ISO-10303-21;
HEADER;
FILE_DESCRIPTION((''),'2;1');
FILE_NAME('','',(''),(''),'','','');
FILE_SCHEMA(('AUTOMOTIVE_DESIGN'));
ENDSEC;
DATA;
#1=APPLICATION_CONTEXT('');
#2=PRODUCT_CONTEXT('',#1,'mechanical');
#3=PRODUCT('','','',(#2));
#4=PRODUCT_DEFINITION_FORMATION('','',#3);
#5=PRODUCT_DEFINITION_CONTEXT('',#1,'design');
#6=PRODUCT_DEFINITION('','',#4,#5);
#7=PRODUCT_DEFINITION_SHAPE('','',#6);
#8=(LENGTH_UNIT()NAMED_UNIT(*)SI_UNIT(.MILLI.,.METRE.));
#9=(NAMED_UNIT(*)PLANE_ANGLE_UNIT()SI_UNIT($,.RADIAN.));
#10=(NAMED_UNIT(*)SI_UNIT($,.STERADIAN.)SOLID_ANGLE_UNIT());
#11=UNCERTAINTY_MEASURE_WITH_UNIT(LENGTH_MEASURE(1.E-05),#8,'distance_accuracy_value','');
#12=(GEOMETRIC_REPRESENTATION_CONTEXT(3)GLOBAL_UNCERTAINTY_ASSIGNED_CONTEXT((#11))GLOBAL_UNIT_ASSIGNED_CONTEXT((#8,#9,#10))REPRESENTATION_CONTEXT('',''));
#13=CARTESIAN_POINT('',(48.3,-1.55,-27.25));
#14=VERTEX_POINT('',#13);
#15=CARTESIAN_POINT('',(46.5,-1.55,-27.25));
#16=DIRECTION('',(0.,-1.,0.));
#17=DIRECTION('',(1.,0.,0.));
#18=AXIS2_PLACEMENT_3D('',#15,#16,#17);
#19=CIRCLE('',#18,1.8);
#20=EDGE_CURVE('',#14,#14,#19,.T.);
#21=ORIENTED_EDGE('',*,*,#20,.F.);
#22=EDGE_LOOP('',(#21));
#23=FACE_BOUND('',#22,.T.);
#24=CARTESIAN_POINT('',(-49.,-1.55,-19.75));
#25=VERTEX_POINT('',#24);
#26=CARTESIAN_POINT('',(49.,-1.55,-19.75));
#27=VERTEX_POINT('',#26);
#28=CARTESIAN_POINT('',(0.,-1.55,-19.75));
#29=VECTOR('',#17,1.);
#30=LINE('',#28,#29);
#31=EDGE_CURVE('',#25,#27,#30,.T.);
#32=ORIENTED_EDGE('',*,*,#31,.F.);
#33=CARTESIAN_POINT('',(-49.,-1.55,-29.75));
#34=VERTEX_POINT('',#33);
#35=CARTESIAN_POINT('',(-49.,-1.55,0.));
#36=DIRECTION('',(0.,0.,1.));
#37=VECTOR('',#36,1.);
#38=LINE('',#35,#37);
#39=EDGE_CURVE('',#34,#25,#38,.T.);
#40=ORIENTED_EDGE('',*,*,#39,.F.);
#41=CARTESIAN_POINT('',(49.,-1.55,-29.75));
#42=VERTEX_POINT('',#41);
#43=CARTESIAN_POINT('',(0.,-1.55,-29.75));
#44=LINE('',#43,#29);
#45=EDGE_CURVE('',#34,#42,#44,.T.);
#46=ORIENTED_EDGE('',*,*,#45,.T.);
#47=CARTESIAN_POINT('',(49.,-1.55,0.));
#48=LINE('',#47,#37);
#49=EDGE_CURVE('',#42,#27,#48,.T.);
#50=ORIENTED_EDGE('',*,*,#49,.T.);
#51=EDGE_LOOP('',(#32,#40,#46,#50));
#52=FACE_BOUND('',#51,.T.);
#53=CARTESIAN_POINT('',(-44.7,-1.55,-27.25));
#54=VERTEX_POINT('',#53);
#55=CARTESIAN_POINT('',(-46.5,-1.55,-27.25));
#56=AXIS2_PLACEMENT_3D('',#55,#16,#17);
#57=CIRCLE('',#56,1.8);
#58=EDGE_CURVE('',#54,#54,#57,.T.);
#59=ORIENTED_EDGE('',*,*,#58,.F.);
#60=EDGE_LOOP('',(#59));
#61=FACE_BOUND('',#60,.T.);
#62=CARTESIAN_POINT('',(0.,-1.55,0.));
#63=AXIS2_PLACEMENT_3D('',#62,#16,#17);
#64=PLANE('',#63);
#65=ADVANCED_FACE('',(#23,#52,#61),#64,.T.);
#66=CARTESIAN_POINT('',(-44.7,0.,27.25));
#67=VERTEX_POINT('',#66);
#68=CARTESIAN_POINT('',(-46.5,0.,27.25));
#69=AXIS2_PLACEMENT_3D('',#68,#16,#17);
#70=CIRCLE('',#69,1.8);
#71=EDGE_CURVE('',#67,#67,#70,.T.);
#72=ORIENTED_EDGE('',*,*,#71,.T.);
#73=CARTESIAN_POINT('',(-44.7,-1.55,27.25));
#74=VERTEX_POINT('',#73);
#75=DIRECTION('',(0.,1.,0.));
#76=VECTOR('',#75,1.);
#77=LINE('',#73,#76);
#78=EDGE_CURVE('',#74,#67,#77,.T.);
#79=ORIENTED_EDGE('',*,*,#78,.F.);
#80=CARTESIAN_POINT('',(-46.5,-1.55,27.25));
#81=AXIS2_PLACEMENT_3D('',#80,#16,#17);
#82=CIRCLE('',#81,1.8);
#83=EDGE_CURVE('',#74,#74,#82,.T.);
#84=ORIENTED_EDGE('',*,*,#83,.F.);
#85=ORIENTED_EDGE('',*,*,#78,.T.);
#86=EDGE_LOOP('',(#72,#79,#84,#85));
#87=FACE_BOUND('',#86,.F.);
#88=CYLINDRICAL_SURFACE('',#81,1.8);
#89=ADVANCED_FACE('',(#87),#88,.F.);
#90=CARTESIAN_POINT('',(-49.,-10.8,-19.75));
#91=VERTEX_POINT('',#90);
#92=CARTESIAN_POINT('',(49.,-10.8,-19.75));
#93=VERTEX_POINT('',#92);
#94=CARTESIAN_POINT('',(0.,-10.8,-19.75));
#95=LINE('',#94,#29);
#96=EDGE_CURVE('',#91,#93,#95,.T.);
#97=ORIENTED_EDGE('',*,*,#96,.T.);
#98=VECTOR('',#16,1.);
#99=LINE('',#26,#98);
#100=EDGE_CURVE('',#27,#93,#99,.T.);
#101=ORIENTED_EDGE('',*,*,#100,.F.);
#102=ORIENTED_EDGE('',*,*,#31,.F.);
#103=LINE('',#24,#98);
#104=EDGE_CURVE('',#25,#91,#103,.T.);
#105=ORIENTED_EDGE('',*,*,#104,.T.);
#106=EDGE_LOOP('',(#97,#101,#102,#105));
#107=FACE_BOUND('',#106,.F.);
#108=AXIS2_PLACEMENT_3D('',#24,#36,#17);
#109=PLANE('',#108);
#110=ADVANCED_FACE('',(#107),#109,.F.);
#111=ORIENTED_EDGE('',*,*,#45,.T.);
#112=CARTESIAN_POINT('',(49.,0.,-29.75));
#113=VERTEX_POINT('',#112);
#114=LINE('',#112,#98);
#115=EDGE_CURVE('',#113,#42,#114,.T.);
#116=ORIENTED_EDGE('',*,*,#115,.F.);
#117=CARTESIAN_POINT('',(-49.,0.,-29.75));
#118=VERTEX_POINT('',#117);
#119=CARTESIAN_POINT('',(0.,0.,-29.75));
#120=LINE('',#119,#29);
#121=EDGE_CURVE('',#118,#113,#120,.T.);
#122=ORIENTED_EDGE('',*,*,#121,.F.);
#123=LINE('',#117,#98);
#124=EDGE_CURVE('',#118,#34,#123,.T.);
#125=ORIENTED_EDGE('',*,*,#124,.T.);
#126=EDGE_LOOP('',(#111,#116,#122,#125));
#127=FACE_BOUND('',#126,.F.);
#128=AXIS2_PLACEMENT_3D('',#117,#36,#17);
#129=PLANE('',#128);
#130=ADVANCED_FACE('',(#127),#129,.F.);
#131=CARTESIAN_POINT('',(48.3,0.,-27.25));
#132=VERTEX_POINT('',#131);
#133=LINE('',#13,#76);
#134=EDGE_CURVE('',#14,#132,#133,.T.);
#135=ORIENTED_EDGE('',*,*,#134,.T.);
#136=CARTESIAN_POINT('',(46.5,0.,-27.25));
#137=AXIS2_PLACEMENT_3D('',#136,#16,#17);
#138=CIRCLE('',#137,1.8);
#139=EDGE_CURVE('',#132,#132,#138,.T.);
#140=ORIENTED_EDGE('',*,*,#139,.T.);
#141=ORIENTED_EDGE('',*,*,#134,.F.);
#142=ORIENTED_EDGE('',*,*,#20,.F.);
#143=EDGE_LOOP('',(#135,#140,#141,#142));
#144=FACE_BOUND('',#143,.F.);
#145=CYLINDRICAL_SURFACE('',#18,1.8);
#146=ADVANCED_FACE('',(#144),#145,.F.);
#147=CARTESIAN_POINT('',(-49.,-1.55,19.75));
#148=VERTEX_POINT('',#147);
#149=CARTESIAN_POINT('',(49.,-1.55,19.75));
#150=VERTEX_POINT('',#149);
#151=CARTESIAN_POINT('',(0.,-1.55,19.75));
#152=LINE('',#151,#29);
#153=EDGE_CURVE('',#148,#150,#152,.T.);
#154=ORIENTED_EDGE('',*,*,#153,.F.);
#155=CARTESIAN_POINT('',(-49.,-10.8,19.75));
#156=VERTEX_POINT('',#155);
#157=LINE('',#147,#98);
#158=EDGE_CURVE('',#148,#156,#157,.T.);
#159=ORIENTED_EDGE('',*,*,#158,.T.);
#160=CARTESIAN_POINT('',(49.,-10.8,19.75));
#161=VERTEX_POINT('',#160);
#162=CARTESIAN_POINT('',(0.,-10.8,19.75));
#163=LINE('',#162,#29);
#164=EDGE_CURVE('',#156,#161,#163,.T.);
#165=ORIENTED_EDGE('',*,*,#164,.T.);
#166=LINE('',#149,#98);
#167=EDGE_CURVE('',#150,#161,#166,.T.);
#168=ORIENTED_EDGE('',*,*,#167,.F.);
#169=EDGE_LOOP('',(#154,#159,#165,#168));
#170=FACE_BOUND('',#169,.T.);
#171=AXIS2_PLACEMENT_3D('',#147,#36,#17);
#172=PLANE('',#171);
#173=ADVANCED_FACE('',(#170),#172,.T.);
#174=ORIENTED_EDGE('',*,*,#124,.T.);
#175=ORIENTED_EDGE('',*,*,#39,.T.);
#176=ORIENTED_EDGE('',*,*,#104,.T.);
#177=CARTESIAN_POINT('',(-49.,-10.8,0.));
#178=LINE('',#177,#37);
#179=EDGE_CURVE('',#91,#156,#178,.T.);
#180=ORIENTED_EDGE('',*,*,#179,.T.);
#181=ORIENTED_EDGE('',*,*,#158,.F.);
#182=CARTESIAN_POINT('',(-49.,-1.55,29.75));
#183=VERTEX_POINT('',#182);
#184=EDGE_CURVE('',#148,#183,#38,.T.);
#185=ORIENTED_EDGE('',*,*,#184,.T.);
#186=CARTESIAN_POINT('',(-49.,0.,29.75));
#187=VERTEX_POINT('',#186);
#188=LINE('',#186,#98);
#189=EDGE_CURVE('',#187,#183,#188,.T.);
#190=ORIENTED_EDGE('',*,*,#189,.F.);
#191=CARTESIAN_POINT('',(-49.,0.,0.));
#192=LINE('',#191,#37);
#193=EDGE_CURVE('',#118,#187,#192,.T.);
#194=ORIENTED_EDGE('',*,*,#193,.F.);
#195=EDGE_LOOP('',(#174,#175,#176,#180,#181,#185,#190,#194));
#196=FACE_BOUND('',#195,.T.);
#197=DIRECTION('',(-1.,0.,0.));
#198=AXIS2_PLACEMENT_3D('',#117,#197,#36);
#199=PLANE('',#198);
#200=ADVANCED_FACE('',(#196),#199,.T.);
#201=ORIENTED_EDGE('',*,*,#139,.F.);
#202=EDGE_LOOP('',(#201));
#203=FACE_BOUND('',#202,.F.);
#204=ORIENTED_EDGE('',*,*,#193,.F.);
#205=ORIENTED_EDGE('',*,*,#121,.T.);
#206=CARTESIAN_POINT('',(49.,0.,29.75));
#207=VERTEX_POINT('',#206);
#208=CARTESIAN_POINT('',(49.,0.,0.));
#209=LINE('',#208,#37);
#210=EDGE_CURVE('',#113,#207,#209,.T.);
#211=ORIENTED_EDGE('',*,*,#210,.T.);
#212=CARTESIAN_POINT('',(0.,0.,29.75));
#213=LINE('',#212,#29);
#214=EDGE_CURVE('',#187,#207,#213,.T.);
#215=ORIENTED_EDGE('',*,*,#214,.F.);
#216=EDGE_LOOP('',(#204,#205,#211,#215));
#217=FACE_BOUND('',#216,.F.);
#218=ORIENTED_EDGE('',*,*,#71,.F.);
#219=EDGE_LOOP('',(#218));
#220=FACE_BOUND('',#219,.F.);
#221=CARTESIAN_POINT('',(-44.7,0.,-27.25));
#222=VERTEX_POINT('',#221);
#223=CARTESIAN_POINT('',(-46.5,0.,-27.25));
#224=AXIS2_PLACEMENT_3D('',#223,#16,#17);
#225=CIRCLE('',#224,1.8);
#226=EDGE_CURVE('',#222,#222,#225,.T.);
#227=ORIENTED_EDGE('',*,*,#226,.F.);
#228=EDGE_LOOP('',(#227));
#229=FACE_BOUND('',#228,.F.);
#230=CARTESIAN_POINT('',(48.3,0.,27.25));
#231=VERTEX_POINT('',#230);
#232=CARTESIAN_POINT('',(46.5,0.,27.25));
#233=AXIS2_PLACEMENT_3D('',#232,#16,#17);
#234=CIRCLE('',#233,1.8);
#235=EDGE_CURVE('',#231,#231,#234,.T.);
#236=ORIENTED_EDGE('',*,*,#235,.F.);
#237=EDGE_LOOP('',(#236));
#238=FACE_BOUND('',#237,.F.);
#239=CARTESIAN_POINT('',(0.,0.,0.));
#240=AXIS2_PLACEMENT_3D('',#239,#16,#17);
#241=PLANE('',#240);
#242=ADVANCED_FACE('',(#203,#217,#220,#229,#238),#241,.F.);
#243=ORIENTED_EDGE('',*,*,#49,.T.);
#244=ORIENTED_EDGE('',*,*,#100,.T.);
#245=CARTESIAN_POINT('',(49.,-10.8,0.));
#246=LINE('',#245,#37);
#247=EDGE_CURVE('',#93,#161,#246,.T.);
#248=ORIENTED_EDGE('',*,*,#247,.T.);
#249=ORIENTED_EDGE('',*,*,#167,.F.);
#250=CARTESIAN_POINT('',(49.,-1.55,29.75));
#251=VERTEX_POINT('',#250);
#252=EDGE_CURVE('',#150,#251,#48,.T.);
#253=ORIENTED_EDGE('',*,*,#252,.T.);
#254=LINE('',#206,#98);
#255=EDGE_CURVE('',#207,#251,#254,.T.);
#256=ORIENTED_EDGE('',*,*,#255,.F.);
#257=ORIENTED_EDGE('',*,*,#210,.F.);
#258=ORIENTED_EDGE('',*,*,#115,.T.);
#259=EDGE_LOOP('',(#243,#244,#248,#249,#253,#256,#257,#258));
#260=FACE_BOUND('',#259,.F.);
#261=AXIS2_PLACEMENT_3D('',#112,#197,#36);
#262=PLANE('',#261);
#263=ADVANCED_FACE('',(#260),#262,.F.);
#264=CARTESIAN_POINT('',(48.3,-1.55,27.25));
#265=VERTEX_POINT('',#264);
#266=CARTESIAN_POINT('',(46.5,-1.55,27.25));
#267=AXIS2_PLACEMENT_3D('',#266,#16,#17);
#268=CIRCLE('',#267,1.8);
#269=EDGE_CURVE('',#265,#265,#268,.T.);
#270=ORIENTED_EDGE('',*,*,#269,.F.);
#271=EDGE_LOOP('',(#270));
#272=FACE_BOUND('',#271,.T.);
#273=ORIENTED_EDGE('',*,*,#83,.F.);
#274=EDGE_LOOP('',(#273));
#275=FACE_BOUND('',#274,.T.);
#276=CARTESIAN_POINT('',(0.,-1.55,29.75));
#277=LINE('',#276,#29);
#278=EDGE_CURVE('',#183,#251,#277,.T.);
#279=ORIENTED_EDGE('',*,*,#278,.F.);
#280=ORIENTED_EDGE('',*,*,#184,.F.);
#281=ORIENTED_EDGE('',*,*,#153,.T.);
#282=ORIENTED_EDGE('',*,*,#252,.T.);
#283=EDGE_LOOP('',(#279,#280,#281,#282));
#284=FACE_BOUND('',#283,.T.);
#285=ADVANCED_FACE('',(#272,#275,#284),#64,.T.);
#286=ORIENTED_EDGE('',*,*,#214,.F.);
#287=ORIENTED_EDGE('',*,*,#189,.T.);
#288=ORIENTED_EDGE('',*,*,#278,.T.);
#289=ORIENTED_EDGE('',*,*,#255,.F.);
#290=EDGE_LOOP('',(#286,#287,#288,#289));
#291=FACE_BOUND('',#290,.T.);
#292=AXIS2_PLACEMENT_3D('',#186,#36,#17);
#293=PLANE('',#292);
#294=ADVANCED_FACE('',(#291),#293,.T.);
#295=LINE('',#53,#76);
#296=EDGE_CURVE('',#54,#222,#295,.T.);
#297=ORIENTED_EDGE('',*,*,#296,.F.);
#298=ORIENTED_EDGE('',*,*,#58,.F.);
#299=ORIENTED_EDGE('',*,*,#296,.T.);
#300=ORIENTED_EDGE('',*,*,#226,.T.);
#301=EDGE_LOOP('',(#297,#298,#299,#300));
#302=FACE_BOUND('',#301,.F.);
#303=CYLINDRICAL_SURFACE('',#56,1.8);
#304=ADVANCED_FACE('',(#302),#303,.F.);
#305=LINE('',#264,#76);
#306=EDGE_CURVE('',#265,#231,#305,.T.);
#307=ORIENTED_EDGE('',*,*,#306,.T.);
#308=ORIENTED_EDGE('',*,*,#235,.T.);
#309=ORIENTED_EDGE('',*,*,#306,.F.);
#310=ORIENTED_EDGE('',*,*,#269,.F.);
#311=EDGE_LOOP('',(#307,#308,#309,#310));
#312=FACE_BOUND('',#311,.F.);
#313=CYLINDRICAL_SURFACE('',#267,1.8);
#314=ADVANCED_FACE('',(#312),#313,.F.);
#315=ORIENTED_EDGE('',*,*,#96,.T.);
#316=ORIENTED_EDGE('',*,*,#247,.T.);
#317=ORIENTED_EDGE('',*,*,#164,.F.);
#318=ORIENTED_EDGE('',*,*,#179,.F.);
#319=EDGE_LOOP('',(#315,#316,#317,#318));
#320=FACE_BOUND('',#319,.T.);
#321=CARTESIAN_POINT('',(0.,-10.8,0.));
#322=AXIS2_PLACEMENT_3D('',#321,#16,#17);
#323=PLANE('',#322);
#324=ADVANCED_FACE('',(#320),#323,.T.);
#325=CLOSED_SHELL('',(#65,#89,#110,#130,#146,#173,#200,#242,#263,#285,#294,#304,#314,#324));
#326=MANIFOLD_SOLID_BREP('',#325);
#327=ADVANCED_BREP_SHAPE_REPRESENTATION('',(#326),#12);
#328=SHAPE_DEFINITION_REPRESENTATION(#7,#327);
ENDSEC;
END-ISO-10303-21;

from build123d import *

# Parameters (mm, degrees)
F0_W     = 98
F0_H     = 59.5
F1_DEPTH = 1.55
F2_W     = 98
F2_H     = 39.5
F3_DEPTH = 9.25
F4_R     = 1.8
F5_DEPTH = 25


with BuildPart() as f1:
    # F0 (on Front) → F1 (new body)
    with BuildSketch(Plane.XZ):
        Rectangle(F0_W, F0_H)
    extrude(amount=F1_DEPTH)

    # F2 (on face) → F3 (join)
    with BuildSketch(Plane.XZ.offset(1.55)):
        Rectangle(F2_W, F2_H)
    extrude(amount=F3_DEPTH)

    # F4 (on face) → F5 (cut)
    with BuildSketch(Plane.XZ.offset(1.55)):
        with Locations((-46.5, 27.25)):
            Circle(F4_R)
        with Locations((-46.5, -27.25)):
            Circle(F4_R)
        with Locations((46.5, -27.25)):
            Circle(F4_R)
        with Locations((46.5, 27.25)):
            Circle(F4_R)
    extrude(amount=-F5_DEPTH, mode=Mode.SUBTRACT)


solid = f1.part
